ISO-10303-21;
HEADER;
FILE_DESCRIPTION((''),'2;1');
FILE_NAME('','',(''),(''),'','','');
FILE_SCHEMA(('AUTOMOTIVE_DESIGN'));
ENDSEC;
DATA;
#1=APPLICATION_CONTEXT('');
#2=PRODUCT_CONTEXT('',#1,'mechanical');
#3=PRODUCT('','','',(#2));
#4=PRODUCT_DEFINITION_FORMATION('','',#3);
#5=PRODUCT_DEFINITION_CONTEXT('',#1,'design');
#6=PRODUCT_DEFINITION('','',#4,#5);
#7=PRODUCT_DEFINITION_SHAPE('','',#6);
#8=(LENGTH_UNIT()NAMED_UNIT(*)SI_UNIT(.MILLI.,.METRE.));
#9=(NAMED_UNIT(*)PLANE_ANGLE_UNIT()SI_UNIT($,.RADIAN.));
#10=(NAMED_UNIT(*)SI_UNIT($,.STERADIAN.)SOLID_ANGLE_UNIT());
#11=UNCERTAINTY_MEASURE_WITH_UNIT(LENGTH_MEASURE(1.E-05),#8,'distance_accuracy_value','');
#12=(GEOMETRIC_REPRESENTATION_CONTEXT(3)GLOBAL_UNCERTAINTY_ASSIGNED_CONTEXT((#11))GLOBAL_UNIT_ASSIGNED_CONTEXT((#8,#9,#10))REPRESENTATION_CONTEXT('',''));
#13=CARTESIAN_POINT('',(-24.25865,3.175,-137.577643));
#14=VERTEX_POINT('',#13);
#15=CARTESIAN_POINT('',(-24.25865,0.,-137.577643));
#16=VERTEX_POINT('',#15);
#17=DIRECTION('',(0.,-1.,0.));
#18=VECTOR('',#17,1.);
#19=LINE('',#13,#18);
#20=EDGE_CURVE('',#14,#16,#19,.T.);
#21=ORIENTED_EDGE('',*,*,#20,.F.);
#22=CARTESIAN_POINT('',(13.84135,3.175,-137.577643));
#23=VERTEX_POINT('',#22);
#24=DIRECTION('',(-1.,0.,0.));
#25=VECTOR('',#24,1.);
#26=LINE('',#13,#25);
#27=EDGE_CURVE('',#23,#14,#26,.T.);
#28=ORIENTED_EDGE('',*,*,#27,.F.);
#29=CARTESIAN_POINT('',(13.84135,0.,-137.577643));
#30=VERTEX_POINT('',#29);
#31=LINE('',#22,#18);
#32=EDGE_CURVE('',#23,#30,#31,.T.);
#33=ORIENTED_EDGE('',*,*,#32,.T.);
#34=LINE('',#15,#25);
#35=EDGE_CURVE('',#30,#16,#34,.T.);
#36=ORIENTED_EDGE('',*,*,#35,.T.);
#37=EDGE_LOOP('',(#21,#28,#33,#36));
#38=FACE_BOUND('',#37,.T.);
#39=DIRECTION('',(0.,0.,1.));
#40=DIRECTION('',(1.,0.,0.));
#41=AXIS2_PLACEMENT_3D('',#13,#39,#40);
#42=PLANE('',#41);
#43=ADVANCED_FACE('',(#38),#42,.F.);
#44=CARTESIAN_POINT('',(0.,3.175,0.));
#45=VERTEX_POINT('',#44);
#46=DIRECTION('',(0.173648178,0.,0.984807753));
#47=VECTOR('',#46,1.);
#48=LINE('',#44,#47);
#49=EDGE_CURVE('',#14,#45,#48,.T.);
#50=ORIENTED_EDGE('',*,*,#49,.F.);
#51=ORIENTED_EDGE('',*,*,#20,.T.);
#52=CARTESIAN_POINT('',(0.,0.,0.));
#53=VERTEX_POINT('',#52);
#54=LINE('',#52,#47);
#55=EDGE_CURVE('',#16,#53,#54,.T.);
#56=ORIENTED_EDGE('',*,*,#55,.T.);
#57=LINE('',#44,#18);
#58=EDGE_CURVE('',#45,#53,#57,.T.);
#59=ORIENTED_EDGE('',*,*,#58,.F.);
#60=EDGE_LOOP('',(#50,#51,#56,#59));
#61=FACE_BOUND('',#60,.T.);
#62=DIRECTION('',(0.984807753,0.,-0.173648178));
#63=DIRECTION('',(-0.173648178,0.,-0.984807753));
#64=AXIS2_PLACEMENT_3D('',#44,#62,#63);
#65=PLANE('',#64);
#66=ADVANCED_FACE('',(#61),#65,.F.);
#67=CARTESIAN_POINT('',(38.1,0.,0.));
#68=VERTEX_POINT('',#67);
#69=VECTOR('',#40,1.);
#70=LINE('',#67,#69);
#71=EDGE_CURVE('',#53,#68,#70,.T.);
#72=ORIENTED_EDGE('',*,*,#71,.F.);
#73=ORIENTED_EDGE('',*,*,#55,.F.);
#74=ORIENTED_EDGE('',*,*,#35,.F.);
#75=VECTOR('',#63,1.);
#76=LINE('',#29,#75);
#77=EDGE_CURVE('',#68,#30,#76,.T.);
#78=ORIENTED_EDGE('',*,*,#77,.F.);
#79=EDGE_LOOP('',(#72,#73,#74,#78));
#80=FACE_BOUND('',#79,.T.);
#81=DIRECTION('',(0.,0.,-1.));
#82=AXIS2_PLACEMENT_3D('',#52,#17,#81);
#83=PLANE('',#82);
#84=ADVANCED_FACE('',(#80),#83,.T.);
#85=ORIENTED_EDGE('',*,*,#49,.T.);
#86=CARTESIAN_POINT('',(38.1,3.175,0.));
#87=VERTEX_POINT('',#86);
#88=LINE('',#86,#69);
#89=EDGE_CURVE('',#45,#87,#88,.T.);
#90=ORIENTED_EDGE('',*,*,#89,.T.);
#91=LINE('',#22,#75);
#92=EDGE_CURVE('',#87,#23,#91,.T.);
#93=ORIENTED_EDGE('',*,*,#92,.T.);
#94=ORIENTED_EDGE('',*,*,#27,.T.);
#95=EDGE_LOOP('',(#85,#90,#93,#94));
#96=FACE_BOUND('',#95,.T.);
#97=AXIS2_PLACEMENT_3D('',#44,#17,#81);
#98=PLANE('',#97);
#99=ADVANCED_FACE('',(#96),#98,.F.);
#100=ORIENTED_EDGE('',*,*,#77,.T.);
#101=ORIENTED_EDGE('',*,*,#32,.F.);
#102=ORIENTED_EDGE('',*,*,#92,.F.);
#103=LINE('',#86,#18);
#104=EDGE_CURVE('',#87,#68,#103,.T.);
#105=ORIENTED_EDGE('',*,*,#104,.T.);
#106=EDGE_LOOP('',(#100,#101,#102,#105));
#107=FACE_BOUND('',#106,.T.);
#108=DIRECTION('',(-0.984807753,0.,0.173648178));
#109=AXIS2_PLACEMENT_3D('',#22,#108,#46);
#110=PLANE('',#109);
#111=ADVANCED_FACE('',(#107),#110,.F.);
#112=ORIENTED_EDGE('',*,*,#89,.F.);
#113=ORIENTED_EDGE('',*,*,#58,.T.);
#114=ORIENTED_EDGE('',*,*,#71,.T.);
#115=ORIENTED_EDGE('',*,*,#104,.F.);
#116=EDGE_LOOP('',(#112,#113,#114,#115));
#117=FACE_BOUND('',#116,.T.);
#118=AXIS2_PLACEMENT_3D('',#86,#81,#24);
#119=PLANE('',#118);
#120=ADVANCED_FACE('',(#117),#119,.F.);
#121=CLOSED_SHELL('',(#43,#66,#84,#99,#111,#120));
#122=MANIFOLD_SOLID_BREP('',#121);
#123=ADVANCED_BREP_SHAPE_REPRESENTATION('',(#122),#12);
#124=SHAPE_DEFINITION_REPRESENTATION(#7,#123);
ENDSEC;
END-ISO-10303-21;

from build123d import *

# Parameters (mm, degrees)
BOSS_EXTRUDE1_DEPTH = 3.175


with BuildPart() as part:
    # Sketch1 → Boss-Extrude1 (new body)
    with BuildSketch(Plane(origin=(0, 0, 0), x_dir=(1, 0, 0), z_dir=(0, 1, 0))):
        Polygon((0, 0), (-24.25865042, 137.577643096), (13.84134958, 137.577643096), (38.1, 0), align=None)
    extrude(amount=BOSS_EXTRUDE1_DEPTH)


solid = part.part
